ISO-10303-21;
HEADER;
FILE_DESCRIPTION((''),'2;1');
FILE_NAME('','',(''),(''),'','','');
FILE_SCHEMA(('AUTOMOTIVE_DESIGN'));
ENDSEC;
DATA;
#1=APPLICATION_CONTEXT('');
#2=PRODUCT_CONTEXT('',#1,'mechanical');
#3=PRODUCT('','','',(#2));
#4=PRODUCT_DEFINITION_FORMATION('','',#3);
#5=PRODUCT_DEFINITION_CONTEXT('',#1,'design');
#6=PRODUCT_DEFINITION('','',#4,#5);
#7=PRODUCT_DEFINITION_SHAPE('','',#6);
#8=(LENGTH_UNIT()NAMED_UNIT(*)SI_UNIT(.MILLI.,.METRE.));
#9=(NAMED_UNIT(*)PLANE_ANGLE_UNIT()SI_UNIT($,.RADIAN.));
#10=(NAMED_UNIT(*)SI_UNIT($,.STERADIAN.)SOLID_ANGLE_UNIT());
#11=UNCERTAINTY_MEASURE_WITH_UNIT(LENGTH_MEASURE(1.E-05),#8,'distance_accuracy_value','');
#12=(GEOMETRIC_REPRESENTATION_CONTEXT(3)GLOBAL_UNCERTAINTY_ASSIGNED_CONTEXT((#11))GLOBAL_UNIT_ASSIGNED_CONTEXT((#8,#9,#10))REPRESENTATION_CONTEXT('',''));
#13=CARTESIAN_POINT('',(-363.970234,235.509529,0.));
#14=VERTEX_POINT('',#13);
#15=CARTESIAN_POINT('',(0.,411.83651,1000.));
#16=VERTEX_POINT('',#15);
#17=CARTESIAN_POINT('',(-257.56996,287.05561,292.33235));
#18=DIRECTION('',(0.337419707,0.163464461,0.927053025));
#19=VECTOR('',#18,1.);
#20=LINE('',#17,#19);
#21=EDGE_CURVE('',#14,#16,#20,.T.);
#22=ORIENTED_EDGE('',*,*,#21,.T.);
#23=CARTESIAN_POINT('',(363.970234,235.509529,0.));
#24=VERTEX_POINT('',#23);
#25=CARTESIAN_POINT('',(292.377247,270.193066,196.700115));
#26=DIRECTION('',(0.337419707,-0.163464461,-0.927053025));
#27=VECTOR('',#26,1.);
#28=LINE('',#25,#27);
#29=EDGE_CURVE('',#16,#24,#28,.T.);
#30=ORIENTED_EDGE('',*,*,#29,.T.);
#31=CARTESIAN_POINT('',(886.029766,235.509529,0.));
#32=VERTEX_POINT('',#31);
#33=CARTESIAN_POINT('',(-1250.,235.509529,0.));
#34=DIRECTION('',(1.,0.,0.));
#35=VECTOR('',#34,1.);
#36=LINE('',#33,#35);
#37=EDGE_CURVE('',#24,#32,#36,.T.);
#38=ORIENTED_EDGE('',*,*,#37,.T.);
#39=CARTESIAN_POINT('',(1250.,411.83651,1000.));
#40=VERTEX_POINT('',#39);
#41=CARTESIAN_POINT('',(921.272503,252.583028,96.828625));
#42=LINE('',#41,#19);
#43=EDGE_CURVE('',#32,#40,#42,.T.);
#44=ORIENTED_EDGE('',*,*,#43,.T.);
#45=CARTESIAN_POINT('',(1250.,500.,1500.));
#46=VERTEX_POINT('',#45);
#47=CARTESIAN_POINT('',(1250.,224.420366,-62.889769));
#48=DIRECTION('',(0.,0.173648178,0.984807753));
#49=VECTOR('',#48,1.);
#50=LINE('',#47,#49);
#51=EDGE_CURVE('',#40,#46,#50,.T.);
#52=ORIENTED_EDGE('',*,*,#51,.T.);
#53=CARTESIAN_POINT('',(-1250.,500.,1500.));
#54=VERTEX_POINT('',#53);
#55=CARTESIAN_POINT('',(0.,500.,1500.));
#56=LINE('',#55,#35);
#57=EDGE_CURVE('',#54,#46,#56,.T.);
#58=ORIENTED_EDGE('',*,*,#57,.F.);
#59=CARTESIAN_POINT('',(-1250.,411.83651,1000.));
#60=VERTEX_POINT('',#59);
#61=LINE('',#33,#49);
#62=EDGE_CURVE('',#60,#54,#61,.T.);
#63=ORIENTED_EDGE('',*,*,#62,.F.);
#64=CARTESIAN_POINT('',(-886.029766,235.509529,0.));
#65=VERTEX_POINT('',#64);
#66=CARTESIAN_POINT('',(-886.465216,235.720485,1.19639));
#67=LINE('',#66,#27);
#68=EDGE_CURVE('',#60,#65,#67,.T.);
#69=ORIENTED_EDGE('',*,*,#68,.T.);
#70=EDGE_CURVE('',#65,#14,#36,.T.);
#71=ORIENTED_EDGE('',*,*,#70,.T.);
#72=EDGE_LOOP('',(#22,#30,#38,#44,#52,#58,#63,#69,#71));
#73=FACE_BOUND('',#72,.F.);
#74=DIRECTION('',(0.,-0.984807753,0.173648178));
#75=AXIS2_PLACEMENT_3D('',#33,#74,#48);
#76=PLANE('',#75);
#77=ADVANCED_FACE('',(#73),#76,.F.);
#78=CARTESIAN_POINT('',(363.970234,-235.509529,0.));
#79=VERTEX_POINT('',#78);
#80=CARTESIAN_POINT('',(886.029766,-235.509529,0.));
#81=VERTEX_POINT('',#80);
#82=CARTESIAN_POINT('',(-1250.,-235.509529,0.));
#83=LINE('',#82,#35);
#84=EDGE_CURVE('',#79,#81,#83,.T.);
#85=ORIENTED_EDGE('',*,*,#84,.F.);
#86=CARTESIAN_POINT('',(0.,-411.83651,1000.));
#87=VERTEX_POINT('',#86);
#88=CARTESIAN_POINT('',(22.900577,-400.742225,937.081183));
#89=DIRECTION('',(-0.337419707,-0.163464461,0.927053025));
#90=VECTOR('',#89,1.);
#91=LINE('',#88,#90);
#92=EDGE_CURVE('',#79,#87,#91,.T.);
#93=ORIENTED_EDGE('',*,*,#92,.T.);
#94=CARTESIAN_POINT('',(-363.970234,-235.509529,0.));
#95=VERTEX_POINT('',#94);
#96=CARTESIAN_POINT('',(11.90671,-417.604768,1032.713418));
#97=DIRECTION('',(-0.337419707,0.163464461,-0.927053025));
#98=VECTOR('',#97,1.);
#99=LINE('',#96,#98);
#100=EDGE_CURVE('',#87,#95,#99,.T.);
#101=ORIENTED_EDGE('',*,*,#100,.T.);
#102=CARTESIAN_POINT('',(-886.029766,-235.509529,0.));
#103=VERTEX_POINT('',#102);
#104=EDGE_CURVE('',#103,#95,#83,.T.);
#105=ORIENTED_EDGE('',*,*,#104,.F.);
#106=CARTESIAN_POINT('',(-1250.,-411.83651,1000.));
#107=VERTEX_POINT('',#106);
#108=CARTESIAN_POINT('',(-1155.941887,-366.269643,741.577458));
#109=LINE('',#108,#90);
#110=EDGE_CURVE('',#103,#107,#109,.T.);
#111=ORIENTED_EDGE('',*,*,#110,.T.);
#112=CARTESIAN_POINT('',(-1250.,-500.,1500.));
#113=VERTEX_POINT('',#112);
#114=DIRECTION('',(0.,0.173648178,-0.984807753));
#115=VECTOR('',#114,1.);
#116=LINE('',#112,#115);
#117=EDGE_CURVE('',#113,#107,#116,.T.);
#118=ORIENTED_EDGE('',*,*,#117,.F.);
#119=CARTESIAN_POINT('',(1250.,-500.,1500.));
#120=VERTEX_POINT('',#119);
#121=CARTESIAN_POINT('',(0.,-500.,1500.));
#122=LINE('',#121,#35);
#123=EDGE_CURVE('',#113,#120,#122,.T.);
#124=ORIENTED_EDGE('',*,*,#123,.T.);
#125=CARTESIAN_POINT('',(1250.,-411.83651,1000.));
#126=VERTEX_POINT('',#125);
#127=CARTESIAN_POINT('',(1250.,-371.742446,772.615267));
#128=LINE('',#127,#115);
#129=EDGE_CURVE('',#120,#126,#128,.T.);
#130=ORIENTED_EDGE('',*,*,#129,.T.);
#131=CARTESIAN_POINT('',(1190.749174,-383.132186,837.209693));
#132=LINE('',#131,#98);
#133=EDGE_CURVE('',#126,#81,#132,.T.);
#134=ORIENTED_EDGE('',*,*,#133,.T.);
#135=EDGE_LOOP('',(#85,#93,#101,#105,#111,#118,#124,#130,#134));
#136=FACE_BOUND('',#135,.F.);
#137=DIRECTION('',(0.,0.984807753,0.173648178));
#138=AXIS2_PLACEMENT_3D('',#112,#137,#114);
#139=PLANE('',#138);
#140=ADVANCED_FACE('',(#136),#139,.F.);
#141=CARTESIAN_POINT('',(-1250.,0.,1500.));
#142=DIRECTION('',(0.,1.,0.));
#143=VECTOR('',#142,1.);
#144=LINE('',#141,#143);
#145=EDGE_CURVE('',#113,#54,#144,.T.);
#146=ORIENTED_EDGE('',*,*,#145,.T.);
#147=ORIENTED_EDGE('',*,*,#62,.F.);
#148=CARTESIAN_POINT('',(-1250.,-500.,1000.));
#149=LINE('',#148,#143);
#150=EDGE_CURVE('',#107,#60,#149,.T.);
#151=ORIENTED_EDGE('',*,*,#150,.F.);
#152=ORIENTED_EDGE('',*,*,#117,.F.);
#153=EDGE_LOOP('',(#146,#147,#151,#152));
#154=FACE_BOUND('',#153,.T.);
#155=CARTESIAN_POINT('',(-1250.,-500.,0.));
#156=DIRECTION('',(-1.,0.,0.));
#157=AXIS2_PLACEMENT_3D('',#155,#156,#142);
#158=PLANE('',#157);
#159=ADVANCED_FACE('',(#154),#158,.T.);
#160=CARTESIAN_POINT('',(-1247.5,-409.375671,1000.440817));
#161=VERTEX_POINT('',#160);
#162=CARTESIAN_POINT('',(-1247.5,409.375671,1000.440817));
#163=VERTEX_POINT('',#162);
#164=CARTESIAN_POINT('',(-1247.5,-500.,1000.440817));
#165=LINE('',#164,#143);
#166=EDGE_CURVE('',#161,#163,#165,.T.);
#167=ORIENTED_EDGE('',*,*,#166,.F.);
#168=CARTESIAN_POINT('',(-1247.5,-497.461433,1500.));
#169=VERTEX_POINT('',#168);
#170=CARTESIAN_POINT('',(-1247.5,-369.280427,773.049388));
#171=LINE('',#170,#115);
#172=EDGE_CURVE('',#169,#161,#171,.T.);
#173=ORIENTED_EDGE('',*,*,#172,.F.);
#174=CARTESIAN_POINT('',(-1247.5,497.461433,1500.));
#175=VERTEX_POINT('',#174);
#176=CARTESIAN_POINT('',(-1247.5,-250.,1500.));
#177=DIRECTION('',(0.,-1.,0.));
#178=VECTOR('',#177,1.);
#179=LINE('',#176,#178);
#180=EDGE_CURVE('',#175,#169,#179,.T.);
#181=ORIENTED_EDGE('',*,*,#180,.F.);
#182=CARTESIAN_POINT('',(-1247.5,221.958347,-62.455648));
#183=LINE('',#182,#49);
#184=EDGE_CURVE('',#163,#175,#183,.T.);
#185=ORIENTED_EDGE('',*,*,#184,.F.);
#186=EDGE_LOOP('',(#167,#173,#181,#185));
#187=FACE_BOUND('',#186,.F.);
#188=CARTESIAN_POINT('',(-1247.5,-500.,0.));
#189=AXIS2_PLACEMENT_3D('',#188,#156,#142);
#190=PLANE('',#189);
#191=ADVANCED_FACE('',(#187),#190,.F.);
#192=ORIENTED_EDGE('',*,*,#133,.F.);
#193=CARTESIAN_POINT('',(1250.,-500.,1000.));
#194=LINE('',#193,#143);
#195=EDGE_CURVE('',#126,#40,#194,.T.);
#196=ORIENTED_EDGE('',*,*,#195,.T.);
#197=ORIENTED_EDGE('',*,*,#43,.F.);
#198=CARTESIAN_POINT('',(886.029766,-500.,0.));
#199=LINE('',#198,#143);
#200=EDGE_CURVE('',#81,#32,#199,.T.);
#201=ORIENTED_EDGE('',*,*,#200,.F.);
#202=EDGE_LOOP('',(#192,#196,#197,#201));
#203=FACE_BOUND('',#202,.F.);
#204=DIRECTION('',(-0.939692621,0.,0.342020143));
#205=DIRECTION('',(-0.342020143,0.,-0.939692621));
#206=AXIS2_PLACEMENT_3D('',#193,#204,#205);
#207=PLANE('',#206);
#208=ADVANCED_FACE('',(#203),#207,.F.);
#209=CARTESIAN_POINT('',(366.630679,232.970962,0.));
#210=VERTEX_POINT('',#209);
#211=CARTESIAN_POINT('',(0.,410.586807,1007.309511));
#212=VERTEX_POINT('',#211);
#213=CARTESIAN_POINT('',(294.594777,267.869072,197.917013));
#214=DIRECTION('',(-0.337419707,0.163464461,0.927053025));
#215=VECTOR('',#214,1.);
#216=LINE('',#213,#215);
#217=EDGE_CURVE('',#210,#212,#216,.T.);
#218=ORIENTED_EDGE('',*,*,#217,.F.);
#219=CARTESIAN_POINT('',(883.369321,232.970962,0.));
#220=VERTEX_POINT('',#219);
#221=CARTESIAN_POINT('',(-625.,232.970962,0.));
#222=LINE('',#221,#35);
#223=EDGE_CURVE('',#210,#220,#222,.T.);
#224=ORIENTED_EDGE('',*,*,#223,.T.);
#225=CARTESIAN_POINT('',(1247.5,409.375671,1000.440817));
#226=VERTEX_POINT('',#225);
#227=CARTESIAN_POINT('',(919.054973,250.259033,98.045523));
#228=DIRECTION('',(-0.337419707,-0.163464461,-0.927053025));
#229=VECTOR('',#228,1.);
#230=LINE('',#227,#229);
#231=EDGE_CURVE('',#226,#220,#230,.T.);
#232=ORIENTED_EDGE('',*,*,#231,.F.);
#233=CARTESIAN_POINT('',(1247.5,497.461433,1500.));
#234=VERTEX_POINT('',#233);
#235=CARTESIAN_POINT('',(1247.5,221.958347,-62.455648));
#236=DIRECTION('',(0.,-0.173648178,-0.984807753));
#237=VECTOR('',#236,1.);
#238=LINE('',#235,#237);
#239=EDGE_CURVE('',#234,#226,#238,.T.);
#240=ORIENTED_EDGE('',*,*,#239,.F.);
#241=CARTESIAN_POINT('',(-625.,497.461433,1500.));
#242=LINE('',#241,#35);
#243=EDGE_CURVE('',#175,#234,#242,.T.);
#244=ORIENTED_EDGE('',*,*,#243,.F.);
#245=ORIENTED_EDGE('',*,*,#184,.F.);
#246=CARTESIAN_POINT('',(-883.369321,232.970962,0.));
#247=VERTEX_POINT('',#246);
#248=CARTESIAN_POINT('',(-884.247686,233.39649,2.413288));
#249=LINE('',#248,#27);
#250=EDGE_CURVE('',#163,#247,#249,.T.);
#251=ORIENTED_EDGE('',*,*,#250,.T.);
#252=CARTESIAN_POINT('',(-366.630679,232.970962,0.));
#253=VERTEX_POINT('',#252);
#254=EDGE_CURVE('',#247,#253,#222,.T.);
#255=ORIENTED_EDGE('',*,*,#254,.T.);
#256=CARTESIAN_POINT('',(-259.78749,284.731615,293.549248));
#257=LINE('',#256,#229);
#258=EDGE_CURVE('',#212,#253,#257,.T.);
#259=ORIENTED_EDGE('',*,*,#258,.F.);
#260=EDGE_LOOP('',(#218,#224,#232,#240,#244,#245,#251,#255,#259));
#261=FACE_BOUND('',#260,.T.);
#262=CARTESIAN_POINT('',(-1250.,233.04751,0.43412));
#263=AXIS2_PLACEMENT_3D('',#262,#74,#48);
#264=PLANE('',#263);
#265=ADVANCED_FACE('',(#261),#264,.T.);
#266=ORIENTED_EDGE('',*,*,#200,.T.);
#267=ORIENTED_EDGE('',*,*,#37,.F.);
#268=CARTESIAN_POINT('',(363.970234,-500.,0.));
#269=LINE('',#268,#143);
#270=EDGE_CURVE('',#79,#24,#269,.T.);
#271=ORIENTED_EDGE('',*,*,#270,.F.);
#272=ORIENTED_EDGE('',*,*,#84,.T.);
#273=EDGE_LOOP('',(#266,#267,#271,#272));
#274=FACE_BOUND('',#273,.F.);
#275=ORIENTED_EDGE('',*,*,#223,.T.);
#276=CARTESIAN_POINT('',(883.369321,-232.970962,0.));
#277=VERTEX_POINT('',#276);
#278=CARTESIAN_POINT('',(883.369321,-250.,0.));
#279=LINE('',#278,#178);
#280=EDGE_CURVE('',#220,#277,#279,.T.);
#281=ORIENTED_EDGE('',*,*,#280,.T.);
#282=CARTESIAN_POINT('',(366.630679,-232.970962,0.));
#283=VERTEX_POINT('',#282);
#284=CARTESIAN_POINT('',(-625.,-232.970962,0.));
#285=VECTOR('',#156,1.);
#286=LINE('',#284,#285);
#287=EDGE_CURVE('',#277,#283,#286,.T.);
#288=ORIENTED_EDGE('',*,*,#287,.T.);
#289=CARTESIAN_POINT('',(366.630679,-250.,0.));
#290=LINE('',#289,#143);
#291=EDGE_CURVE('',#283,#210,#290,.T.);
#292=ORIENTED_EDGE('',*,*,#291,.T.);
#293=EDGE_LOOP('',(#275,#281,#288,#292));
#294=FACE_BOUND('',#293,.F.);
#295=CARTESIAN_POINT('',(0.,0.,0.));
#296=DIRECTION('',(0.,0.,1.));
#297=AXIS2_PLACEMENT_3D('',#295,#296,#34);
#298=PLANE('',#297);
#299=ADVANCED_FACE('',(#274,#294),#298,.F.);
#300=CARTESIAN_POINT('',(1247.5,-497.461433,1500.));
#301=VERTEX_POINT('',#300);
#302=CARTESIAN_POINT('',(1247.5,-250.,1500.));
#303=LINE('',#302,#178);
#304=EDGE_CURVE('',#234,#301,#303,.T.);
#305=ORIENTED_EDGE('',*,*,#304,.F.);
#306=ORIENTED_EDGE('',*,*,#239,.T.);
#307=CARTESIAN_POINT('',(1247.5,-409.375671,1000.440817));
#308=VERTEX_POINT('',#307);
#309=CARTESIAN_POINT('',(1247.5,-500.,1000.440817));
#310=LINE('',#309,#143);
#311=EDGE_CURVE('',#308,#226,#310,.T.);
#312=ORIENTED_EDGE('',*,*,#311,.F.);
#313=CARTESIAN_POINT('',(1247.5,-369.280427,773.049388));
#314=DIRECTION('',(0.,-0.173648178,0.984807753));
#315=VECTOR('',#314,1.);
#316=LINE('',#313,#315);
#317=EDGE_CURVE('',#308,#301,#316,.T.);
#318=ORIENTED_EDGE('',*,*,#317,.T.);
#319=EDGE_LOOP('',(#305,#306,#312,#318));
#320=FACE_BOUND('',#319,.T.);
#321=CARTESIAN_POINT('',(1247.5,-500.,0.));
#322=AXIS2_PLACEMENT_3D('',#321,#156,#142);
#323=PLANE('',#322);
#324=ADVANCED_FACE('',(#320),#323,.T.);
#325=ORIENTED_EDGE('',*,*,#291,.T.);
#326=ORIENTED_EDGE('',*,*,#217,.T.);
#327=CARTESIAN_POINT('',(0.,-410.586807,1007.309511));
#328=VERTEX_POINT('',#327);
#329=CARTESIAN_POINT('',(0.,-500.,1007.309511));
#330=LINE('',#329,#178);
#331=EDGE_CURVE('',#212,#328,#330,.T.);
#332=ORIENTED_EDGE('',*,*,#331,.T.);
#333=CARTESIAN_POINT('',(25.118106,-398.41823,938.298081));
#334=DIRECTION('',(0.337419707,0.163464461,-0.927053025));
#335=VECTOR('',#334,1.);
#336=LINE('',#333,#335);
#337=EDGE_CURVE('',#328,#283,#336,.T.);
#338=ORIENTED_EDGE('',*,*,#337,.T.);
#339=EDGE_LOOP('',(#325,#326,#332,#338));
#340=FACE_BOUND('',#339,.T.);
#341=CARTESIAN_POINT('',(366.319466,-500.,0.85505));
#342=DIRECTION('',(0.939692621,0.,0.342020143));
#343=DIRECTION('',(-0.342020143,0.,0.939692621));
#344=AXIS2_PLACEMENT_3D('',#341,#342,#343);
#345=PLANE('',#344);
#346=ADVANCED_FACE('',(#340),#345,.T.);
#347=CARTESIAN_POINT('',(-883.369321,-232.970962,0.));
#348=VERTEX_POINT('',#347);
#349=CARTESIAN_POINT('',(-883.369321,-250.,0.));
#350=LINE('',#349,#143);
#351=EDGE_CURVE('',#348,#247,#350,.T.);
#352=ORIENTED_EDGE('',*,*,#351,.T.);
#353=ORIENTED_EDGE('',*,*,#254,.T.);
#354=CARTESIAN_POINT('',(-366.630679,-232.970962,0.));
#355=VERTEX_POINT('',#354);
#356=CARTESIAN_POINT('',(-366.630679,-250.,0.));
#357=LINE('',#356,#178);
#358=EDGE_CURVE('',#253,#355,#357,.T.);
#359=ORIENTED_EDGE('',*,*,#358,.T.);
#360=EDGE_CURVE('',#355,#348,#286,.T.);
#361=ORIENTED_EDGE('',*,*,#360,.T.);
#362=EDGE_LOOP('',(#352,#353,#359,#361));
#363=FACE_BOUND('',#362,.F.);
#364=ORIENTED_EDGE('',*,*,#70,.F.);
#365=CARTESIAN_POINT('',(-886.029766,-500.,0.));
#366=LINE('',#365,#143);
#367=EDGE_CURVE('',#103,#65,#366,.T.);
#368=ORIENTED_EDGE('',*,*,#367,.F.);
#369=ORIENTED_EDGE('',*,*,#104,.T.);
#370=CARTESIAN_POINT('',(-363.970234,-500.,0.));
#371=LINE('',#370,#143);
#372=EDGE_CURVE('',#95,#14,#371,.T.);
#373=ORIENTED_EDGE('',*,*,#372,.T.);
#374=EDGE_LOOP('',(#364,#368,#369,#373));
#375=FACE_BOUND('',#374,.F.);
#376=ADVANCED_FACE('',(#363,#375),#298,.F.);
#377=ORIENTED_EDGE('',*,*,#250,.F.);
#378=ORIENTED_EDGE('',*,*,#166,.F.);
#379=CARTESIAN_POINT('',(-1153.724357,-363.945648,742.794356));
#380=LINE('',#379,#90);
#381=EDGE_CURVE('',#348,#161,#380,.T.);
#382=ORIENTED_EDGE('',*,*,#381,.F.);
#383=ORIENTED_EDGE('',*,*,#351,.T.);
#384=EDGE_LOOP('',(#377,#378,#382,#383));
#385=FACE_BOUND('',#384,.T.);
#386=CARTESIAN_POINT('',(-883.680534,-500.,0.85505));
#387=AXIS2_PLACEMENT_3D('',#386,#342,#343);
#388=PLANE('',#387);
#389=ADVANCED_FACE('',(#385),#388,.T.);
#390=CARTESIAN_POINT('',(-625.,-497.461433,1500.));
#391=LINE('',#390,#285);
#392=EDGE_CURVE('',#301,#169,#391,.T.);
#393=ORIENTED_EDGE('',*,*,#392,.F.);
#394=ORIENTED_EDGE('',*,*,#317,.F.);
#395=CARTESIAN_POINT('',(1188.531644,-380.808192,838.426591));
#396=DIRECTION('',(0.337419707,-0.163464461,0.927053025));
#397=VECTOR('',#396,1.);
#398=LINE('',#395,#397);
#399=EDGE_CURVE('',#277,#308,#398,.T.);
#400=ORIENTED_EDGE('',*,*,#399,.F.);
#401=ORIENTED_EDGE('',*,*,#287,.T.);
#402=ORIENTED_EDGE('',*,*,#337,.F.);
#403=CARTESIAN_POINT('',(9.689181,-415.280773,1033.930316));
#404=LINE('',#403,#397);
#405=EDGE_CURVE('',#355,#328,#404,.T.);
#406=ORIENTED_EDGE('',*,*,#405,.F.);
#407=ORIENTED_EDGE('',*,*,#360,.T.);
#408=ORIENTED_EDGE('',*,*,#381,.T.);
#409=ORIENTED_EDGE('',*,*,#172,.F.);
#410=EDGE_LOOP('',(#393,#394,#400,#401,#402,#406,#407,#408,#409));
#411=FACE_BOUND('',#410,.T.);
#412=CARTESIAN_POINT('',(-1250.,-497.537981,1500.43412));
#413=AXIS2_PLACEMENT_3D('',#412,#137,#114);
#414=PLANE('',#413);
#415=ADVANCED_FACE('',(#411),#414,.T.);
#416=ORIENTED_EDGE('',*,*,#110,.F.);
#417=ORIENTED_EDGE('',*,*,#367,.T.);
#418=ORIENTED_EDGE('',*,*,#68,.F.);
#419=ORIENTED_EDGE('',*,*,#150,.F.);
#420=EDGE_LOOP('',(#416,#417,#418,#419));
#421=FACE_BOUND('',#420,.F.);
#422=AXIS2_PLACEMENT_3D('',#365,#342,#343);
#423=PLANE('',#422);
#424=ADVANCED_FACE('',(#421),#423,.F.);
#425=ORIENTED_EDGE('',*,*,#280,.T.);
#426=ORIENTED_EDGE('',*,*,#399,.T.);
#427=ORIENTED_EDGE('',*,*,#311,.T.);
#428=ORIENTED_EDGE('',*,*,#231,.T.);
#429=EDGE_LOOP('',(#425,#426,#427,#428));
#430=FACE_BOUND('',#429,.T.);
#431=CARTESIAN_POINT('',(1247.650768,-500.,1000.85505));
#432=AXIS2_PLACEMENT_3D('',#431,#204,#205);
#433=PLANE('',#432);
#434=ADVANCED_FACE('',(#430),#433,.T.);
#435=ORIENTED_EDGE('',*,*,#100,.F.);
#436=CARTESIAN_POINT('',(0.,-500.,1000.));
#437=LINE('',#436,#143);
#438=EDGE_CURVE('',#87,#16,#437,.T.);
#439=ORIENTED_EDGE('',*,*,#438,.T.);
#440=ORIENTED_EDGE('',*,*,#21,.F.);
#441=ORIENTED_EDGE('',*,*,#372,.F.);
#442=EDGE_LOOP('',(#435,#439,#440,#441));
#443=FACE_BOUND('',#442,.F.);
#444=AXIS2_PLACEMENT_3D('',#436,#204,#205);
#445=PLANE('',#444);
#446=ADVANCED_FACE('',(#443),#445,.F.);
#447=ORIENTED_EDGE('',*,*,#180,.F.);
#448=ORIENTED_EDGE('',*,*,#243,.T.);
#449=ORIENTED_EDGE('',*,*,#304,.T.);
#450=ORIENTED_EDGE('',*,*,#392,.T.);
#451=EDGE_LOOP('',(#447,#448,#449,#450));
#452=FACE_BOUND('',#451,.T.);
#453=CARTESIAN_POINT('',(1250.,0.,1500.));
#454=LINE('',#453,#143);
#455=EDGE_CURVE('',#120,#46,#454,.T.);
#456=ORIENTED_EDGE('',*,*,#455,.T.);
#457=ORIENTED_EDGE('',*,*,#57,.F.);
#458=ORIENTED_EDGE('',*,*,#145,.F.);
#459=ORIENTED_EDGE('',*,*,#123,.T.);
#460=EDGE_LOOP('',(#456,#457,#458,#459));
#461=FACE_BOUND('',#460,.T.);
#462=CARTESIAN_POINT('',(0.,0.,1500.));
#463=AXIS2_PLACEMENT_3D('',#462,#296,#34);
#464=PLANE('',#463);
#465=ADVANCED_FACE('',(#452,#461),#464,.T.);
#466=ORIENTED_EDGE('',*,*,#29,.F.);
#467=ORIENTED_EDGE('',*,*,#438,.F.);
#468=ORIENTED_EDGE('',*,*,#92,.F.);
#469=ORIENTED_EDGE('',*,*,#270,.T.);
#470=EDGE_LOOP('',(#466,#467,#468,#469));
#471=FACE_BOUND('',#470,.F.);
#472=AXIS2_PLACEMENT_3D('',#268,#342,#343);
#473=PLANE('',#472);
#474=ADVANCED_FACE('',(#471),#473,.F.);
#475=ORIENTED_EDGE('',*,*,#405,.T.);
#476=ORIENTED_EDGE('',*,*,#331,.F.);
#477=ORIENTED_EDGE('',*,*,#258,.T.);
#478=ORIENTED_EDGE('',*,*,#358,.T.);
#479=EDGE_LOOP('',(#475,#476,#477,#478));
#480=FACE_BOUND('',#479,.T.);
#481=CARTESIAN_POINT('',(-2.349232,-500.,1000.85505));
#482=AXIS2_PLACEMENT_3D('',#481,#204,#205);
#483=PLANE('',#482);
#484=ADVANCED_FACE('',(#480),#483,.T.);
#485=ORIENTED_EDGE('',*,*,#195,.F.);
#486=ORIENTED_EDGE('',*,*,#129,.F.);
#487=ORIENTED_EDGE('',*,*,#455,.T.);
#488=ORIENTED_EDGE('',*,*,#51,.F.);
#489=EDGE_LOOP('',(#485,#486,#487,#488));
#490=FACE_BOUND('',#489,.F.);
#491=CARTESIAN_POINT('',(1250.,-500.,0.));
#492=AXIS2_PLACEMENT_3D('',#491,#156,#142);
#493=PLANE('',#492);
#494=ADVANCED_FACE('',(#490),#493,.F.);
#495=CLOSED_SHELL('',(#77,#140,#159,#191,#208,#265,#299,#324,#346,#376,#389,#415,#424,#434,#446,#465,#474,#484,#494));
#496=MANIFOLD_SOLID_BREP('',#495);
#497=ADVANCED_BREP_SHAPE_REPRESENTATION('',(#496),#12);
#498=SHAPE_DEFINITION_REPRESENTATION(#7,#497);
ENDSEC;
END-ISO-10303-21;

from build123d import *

# Parameters (mm, degrees)
F0_W     = 2500
F0_H     = 1000
F1_DEPTH = 1500
F3_DEPTH = 1000.001
F5_DEPTH = 2500.001
F6_T     = -2.5


with BuildPart() as f1:
    # F0 (on Top) → F1 (new body)
    with BuildSketch(Plane.XY):
        Rectangle(F0_W, F0_H)
    extrude(amount=F1_DEPTH)

    # F2 (on face) → F3 (cut, through all)
    with BuildSketch(Plane.XZ.offset(500)):
        Polygon((-886.0297657338, 0), (-1250, 1000), (-1250, 0), align=None)
        Polygon((0, 1000), (-363.9702342662, 0), (363.9702342662, 0), align=None)
        Polygon((1250, 0), (1250, 1000), (886.0297657338, 0), align=None)
    extrude(amount=-F3_DEPTH, mode=Mode.SUBTRACT)

    # F4 (on face) → F5 (cut, through all)
    with BuildSketch(Plane(origin=(-1250, 0, 0), x_dir=(0, -1, 0), z_dir=(-1, 0, 0))):
        Polygon((-235.5095289373, 0), (-411.8365096458, 1000), (-500, 1000), (-500, 0), align=None)
        Polygon((-411.8365096458, 1000), (-500, 1500), (-500, 1000), align=None)
        Polygon((500, 1000), (411.8365096458, 1000), (235.5095289373, 0), (500, 0), align=None)
        Polygon((500, 1000), (500, 1500), (411.8365096458, 1000), align=None)
    extrude(amount=-F5_DEPTH, mode=Mode.SUBTRACT)

    # F6
    f6_openings = [f1.faces().sort_by_distance(p)[0] for p in [
        (0, 0, 1500),
        (-625, 0, 0),
        (625, 0, 0),
    ]]
    offset(amount=F6_T, openings=f6_openings, kind=Kind.INTERSECTION)


solid = f1.part
